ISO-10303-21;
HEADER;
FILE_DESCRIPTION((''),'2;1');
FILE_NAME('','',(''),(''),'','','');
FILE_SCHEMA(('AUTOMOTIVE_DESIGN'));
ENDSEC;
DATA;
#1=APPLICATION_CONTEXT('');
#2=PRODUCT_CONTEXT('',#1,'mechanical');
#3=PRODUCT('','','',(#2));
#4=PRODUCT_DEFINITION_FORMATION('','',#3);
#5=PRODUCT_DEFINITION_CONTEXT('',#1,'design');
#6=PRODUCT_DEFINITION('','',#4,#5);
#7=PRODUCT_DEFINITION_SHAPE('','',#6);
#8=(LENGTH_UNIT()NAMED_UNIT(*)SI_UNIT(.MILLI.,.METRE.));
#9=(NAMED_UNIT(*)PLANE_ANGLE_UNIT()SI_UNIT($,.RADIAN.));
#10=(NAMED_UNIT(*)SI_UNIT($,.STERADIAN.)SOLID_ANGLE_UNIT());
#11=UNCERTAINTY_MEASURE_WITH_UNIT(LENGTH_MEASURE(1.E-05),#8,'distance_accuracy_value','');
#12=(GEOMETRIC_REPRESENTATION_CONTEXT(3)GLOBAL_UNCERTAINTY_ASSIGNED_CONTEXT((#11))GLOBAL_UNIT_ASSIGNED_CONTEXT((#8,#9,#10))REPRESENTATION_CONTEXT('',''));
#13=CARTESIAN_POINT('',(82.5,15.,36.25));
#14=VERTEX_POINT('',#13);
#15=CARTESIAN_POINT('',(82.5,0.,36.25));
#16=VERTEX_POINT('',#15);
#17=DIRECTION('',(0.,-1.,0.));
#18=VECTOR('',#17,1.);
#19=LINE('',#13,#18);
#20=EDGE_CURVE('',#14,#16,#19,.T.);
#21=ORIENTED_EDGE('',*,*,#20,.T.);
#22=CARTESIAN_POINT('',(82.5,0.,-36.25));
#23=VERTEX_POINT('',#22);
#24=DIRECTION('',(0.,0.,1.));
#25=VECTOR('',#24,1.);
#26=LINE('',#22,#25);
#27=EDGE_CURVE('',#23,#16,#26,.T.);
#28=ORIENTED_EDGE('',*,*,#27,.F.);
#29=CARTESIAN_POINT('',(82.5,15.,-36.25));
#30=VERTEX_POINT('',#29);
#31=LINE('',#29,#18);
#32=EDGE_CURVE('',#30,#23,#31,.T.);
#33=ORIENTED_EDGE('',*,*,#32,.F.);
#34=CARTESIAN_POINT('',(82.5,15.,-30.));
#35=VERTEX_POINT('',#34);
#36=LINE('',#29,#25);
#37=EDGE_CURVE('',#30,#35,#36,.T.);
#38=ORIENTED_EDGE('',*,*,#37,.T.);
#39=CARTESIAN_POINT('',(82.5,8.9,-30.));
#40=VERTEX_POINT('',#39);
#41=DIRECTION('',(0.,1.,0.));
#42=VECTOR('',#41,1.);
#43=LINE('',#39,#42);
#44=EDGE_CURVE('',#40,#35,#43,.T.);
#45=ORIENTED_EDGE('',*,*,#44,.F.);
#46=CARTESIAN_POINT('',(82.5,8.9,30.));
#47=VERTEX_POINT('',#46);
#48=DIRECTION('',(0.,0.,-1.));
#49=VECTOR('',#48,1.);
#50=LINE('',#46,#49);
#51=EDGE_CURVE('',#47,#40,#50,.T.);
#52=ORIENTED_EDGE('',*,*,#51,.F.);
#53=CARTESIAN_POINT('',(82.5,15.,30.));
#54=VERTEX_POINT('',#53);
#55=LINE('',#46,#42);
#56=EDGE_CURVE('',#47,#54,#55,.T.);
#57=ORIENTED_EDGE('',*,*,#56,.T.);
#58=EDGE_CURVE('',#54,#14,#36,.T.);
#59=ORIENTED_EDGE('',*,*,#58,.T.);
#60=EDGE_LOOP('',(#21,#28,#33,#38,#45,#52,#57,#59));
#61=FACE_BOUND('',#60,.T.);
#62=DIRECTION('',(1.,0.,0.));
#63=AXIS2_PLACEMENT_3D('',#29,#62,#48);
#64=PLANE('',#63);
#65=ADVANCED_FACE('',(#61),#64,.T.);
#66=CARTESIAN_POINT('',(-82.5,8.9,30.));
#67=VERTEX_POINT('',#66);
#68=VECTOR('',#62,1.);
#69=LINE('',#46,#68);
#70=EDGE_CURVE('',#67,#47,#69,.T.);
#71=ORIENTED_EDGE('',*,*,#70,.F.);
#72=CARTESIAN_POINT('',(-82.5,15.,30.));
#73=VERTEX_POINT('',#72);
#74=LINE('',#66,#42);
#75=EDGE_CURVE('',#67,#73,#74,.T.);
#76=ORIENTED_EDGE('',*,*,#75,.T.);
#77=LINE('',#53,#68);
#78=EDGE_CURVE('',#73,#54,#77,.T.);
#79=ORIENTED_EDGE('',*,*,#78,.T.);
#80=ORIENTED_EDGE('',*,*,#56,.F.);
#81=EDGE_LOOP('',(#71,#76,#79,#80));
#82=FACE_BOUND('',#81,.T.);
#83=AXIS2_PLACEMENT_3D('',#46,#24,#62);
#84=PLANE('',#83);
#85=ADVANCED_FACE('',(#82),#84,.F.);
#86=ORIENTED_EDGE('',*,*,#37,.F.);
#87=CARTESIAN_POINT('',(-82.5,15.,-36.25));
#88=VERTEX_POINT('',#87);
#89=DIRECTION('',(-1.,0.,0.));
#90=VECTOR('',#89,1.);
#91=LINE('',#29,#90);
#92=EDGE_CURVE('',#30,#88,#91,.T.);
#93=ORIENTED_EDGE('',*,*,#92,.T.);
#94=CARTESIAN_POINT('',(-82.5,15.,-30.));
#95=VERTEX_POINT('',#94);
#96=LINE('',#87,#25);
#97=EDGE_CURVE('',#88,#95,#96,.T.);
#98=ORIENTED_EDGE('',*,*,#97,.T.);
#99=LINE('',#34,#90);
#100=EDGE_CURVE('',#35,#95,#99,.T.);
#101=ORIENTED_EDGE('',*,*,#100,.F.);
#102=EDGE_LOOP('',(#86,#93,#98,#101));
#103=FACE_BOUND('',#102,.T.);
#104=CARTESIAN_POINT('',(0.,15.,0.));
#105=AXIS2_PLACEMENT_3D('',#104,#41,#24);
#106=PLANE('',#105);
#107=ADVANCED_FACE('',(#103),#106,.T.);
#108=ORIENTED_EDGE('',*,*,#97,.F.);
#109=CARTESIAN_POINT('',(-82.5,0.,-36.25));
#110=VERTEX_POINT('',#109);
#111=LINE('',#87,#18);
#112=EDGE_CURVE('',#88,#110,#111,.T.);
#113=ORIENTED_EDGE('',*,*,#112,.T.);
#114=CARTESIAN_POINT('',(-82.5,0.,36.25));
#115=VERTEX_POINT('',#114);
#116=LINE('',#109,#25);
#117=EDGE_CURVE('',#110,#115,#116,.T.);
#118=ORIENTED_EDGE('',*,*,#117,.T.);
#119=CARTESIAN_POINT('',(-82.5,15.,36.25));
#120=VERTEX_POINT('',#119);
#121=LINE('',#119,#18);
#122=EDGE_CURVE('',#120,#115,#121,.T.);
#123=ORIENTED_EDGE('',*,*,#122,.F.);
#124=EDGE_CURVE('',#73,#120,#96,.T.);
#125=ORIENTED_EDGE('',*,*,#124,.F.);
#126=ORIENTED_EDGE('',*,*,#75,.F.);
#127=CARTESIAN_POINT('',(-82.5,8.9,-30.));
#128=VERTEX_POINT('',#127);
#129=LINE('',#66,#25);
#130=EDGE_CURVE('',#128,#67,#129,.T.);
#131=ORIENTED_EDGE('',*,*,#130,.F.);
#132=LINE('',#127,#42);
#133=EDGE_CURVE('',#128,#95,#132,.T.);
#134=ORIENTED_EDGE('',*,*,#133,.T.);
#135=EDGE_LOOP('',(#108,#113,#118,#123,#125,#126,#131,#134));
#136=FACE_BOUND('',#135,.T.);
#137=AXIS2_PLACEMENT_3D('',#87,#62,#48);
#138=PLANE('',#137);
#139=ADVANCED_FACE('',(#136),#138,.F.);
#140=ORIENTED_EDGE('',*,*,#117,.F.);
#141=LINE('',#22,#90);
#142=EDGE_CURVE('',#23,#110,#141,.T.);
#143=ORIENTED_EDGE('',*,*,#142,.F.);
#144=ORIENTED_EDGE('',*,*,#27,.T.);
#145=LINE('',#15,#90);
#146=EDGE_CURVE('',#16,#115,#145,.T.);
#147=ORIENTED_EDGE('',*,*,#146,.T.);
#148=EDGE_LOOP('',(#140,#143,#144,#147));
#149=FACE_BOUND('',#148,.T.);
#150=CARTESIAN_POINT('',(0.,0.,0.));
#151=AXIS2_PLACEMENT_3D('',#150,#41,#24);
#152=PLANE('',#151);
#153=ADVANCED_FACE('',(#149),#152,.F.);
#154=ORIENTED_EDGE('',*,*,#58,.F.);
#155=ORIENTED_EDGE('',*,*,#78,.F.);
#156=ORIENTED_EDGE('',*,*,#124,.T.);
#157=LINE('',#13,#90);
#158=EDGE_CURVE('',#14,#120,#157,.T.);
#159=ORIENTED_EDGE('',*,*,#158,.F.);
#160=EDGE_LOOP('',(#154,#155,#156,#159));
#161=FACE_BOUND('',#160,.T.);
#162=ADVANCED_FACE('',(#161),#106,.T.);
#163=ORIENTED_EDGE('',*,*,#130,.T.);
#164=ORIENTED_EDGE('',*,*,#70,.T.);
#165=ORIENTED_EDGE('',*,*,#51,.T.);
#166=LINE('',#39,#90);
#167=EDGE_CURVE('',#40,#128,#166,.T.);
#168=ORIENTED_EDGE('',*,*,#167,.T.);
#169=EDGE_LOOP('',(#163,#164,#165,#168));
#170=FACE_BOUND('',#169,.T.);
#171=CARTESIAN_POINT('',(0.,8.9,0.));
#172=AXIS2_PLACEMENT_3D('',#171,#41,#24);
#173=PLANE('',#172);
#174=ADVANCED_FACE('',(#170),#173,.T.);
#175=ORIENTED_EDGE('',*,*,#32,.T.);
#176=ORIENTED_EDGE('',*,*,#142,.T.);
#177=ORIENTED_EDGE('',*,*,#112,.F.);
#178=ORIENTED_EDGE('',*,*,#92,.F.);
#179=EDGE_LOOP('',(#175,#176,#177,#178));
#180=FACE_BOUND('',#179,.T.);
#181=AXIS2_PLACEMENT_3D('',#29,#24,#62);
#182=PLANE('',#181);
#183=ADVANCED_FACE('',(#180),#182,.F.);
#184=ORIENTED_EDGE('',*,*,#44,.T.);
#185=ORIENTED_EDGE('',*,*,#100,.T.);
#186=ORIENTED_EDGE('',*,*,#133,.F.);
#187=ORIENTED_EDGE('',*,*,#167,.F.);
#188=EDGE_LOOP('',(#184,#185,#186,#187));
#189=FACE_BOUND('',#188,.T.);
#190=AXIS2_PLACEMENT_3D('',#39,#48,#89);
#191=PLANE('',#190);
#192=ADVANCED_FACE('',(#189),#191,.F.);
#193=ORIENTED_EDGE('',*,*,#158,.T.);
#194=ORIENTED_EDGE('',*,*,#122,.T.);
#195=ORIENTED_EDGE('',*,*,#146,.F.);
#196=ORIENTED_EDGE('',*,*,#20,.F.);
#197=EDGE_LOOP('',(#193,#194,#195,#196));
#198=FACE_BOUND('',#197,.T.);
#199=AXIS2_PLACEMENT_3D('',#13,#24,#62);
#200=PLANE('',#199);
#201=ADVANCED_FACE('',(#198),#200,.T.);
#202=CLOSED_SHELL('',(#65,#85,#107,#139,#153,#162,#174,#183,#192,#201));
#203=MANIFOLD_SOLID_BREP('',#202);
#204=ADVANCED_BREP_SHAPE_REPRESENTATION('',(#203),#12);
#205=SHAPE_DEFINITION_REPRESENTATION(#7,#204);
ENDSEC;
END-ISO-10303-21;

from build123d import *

# Parameters (mm, degrees)
SKETCH1_W           = 165
SKETCH1_H           = 72.5
BOSS_EXTRUDE1_DEPTH = 15
SKETCH2_W           = 165
SKETCH2_H           = 60
CUT_EXTRUDE1_DEPTH  = 6.1


with BuildPart() as part:
    # Sketch1 → Boss-Extrude1 (new body)
    with BuildSketch(Plane(origin=(0, 0, 0), x_dir=(1, 0, 0), z_dir=(0, 1, 0))):
        Rectangle(SKETCH1_W, SKETCH1_H)
    extrude(amount=BOSS_EXTRUDE1_DEPTH)

    # Sketch2 → Cut-Extrude1 (cut)
    with BuildSketch(Plane(origin=(0, 15, 0), x_dir=(1, 0, 0), z_dir=(0, 1, 0))):
        Rectangle(SKETCH2_W, SKETCH2_H)
    extrude(amount=-CUT_EXTRUDE1_DEPTH, mode=Mode.SUBTRACT)


solid = part.part
